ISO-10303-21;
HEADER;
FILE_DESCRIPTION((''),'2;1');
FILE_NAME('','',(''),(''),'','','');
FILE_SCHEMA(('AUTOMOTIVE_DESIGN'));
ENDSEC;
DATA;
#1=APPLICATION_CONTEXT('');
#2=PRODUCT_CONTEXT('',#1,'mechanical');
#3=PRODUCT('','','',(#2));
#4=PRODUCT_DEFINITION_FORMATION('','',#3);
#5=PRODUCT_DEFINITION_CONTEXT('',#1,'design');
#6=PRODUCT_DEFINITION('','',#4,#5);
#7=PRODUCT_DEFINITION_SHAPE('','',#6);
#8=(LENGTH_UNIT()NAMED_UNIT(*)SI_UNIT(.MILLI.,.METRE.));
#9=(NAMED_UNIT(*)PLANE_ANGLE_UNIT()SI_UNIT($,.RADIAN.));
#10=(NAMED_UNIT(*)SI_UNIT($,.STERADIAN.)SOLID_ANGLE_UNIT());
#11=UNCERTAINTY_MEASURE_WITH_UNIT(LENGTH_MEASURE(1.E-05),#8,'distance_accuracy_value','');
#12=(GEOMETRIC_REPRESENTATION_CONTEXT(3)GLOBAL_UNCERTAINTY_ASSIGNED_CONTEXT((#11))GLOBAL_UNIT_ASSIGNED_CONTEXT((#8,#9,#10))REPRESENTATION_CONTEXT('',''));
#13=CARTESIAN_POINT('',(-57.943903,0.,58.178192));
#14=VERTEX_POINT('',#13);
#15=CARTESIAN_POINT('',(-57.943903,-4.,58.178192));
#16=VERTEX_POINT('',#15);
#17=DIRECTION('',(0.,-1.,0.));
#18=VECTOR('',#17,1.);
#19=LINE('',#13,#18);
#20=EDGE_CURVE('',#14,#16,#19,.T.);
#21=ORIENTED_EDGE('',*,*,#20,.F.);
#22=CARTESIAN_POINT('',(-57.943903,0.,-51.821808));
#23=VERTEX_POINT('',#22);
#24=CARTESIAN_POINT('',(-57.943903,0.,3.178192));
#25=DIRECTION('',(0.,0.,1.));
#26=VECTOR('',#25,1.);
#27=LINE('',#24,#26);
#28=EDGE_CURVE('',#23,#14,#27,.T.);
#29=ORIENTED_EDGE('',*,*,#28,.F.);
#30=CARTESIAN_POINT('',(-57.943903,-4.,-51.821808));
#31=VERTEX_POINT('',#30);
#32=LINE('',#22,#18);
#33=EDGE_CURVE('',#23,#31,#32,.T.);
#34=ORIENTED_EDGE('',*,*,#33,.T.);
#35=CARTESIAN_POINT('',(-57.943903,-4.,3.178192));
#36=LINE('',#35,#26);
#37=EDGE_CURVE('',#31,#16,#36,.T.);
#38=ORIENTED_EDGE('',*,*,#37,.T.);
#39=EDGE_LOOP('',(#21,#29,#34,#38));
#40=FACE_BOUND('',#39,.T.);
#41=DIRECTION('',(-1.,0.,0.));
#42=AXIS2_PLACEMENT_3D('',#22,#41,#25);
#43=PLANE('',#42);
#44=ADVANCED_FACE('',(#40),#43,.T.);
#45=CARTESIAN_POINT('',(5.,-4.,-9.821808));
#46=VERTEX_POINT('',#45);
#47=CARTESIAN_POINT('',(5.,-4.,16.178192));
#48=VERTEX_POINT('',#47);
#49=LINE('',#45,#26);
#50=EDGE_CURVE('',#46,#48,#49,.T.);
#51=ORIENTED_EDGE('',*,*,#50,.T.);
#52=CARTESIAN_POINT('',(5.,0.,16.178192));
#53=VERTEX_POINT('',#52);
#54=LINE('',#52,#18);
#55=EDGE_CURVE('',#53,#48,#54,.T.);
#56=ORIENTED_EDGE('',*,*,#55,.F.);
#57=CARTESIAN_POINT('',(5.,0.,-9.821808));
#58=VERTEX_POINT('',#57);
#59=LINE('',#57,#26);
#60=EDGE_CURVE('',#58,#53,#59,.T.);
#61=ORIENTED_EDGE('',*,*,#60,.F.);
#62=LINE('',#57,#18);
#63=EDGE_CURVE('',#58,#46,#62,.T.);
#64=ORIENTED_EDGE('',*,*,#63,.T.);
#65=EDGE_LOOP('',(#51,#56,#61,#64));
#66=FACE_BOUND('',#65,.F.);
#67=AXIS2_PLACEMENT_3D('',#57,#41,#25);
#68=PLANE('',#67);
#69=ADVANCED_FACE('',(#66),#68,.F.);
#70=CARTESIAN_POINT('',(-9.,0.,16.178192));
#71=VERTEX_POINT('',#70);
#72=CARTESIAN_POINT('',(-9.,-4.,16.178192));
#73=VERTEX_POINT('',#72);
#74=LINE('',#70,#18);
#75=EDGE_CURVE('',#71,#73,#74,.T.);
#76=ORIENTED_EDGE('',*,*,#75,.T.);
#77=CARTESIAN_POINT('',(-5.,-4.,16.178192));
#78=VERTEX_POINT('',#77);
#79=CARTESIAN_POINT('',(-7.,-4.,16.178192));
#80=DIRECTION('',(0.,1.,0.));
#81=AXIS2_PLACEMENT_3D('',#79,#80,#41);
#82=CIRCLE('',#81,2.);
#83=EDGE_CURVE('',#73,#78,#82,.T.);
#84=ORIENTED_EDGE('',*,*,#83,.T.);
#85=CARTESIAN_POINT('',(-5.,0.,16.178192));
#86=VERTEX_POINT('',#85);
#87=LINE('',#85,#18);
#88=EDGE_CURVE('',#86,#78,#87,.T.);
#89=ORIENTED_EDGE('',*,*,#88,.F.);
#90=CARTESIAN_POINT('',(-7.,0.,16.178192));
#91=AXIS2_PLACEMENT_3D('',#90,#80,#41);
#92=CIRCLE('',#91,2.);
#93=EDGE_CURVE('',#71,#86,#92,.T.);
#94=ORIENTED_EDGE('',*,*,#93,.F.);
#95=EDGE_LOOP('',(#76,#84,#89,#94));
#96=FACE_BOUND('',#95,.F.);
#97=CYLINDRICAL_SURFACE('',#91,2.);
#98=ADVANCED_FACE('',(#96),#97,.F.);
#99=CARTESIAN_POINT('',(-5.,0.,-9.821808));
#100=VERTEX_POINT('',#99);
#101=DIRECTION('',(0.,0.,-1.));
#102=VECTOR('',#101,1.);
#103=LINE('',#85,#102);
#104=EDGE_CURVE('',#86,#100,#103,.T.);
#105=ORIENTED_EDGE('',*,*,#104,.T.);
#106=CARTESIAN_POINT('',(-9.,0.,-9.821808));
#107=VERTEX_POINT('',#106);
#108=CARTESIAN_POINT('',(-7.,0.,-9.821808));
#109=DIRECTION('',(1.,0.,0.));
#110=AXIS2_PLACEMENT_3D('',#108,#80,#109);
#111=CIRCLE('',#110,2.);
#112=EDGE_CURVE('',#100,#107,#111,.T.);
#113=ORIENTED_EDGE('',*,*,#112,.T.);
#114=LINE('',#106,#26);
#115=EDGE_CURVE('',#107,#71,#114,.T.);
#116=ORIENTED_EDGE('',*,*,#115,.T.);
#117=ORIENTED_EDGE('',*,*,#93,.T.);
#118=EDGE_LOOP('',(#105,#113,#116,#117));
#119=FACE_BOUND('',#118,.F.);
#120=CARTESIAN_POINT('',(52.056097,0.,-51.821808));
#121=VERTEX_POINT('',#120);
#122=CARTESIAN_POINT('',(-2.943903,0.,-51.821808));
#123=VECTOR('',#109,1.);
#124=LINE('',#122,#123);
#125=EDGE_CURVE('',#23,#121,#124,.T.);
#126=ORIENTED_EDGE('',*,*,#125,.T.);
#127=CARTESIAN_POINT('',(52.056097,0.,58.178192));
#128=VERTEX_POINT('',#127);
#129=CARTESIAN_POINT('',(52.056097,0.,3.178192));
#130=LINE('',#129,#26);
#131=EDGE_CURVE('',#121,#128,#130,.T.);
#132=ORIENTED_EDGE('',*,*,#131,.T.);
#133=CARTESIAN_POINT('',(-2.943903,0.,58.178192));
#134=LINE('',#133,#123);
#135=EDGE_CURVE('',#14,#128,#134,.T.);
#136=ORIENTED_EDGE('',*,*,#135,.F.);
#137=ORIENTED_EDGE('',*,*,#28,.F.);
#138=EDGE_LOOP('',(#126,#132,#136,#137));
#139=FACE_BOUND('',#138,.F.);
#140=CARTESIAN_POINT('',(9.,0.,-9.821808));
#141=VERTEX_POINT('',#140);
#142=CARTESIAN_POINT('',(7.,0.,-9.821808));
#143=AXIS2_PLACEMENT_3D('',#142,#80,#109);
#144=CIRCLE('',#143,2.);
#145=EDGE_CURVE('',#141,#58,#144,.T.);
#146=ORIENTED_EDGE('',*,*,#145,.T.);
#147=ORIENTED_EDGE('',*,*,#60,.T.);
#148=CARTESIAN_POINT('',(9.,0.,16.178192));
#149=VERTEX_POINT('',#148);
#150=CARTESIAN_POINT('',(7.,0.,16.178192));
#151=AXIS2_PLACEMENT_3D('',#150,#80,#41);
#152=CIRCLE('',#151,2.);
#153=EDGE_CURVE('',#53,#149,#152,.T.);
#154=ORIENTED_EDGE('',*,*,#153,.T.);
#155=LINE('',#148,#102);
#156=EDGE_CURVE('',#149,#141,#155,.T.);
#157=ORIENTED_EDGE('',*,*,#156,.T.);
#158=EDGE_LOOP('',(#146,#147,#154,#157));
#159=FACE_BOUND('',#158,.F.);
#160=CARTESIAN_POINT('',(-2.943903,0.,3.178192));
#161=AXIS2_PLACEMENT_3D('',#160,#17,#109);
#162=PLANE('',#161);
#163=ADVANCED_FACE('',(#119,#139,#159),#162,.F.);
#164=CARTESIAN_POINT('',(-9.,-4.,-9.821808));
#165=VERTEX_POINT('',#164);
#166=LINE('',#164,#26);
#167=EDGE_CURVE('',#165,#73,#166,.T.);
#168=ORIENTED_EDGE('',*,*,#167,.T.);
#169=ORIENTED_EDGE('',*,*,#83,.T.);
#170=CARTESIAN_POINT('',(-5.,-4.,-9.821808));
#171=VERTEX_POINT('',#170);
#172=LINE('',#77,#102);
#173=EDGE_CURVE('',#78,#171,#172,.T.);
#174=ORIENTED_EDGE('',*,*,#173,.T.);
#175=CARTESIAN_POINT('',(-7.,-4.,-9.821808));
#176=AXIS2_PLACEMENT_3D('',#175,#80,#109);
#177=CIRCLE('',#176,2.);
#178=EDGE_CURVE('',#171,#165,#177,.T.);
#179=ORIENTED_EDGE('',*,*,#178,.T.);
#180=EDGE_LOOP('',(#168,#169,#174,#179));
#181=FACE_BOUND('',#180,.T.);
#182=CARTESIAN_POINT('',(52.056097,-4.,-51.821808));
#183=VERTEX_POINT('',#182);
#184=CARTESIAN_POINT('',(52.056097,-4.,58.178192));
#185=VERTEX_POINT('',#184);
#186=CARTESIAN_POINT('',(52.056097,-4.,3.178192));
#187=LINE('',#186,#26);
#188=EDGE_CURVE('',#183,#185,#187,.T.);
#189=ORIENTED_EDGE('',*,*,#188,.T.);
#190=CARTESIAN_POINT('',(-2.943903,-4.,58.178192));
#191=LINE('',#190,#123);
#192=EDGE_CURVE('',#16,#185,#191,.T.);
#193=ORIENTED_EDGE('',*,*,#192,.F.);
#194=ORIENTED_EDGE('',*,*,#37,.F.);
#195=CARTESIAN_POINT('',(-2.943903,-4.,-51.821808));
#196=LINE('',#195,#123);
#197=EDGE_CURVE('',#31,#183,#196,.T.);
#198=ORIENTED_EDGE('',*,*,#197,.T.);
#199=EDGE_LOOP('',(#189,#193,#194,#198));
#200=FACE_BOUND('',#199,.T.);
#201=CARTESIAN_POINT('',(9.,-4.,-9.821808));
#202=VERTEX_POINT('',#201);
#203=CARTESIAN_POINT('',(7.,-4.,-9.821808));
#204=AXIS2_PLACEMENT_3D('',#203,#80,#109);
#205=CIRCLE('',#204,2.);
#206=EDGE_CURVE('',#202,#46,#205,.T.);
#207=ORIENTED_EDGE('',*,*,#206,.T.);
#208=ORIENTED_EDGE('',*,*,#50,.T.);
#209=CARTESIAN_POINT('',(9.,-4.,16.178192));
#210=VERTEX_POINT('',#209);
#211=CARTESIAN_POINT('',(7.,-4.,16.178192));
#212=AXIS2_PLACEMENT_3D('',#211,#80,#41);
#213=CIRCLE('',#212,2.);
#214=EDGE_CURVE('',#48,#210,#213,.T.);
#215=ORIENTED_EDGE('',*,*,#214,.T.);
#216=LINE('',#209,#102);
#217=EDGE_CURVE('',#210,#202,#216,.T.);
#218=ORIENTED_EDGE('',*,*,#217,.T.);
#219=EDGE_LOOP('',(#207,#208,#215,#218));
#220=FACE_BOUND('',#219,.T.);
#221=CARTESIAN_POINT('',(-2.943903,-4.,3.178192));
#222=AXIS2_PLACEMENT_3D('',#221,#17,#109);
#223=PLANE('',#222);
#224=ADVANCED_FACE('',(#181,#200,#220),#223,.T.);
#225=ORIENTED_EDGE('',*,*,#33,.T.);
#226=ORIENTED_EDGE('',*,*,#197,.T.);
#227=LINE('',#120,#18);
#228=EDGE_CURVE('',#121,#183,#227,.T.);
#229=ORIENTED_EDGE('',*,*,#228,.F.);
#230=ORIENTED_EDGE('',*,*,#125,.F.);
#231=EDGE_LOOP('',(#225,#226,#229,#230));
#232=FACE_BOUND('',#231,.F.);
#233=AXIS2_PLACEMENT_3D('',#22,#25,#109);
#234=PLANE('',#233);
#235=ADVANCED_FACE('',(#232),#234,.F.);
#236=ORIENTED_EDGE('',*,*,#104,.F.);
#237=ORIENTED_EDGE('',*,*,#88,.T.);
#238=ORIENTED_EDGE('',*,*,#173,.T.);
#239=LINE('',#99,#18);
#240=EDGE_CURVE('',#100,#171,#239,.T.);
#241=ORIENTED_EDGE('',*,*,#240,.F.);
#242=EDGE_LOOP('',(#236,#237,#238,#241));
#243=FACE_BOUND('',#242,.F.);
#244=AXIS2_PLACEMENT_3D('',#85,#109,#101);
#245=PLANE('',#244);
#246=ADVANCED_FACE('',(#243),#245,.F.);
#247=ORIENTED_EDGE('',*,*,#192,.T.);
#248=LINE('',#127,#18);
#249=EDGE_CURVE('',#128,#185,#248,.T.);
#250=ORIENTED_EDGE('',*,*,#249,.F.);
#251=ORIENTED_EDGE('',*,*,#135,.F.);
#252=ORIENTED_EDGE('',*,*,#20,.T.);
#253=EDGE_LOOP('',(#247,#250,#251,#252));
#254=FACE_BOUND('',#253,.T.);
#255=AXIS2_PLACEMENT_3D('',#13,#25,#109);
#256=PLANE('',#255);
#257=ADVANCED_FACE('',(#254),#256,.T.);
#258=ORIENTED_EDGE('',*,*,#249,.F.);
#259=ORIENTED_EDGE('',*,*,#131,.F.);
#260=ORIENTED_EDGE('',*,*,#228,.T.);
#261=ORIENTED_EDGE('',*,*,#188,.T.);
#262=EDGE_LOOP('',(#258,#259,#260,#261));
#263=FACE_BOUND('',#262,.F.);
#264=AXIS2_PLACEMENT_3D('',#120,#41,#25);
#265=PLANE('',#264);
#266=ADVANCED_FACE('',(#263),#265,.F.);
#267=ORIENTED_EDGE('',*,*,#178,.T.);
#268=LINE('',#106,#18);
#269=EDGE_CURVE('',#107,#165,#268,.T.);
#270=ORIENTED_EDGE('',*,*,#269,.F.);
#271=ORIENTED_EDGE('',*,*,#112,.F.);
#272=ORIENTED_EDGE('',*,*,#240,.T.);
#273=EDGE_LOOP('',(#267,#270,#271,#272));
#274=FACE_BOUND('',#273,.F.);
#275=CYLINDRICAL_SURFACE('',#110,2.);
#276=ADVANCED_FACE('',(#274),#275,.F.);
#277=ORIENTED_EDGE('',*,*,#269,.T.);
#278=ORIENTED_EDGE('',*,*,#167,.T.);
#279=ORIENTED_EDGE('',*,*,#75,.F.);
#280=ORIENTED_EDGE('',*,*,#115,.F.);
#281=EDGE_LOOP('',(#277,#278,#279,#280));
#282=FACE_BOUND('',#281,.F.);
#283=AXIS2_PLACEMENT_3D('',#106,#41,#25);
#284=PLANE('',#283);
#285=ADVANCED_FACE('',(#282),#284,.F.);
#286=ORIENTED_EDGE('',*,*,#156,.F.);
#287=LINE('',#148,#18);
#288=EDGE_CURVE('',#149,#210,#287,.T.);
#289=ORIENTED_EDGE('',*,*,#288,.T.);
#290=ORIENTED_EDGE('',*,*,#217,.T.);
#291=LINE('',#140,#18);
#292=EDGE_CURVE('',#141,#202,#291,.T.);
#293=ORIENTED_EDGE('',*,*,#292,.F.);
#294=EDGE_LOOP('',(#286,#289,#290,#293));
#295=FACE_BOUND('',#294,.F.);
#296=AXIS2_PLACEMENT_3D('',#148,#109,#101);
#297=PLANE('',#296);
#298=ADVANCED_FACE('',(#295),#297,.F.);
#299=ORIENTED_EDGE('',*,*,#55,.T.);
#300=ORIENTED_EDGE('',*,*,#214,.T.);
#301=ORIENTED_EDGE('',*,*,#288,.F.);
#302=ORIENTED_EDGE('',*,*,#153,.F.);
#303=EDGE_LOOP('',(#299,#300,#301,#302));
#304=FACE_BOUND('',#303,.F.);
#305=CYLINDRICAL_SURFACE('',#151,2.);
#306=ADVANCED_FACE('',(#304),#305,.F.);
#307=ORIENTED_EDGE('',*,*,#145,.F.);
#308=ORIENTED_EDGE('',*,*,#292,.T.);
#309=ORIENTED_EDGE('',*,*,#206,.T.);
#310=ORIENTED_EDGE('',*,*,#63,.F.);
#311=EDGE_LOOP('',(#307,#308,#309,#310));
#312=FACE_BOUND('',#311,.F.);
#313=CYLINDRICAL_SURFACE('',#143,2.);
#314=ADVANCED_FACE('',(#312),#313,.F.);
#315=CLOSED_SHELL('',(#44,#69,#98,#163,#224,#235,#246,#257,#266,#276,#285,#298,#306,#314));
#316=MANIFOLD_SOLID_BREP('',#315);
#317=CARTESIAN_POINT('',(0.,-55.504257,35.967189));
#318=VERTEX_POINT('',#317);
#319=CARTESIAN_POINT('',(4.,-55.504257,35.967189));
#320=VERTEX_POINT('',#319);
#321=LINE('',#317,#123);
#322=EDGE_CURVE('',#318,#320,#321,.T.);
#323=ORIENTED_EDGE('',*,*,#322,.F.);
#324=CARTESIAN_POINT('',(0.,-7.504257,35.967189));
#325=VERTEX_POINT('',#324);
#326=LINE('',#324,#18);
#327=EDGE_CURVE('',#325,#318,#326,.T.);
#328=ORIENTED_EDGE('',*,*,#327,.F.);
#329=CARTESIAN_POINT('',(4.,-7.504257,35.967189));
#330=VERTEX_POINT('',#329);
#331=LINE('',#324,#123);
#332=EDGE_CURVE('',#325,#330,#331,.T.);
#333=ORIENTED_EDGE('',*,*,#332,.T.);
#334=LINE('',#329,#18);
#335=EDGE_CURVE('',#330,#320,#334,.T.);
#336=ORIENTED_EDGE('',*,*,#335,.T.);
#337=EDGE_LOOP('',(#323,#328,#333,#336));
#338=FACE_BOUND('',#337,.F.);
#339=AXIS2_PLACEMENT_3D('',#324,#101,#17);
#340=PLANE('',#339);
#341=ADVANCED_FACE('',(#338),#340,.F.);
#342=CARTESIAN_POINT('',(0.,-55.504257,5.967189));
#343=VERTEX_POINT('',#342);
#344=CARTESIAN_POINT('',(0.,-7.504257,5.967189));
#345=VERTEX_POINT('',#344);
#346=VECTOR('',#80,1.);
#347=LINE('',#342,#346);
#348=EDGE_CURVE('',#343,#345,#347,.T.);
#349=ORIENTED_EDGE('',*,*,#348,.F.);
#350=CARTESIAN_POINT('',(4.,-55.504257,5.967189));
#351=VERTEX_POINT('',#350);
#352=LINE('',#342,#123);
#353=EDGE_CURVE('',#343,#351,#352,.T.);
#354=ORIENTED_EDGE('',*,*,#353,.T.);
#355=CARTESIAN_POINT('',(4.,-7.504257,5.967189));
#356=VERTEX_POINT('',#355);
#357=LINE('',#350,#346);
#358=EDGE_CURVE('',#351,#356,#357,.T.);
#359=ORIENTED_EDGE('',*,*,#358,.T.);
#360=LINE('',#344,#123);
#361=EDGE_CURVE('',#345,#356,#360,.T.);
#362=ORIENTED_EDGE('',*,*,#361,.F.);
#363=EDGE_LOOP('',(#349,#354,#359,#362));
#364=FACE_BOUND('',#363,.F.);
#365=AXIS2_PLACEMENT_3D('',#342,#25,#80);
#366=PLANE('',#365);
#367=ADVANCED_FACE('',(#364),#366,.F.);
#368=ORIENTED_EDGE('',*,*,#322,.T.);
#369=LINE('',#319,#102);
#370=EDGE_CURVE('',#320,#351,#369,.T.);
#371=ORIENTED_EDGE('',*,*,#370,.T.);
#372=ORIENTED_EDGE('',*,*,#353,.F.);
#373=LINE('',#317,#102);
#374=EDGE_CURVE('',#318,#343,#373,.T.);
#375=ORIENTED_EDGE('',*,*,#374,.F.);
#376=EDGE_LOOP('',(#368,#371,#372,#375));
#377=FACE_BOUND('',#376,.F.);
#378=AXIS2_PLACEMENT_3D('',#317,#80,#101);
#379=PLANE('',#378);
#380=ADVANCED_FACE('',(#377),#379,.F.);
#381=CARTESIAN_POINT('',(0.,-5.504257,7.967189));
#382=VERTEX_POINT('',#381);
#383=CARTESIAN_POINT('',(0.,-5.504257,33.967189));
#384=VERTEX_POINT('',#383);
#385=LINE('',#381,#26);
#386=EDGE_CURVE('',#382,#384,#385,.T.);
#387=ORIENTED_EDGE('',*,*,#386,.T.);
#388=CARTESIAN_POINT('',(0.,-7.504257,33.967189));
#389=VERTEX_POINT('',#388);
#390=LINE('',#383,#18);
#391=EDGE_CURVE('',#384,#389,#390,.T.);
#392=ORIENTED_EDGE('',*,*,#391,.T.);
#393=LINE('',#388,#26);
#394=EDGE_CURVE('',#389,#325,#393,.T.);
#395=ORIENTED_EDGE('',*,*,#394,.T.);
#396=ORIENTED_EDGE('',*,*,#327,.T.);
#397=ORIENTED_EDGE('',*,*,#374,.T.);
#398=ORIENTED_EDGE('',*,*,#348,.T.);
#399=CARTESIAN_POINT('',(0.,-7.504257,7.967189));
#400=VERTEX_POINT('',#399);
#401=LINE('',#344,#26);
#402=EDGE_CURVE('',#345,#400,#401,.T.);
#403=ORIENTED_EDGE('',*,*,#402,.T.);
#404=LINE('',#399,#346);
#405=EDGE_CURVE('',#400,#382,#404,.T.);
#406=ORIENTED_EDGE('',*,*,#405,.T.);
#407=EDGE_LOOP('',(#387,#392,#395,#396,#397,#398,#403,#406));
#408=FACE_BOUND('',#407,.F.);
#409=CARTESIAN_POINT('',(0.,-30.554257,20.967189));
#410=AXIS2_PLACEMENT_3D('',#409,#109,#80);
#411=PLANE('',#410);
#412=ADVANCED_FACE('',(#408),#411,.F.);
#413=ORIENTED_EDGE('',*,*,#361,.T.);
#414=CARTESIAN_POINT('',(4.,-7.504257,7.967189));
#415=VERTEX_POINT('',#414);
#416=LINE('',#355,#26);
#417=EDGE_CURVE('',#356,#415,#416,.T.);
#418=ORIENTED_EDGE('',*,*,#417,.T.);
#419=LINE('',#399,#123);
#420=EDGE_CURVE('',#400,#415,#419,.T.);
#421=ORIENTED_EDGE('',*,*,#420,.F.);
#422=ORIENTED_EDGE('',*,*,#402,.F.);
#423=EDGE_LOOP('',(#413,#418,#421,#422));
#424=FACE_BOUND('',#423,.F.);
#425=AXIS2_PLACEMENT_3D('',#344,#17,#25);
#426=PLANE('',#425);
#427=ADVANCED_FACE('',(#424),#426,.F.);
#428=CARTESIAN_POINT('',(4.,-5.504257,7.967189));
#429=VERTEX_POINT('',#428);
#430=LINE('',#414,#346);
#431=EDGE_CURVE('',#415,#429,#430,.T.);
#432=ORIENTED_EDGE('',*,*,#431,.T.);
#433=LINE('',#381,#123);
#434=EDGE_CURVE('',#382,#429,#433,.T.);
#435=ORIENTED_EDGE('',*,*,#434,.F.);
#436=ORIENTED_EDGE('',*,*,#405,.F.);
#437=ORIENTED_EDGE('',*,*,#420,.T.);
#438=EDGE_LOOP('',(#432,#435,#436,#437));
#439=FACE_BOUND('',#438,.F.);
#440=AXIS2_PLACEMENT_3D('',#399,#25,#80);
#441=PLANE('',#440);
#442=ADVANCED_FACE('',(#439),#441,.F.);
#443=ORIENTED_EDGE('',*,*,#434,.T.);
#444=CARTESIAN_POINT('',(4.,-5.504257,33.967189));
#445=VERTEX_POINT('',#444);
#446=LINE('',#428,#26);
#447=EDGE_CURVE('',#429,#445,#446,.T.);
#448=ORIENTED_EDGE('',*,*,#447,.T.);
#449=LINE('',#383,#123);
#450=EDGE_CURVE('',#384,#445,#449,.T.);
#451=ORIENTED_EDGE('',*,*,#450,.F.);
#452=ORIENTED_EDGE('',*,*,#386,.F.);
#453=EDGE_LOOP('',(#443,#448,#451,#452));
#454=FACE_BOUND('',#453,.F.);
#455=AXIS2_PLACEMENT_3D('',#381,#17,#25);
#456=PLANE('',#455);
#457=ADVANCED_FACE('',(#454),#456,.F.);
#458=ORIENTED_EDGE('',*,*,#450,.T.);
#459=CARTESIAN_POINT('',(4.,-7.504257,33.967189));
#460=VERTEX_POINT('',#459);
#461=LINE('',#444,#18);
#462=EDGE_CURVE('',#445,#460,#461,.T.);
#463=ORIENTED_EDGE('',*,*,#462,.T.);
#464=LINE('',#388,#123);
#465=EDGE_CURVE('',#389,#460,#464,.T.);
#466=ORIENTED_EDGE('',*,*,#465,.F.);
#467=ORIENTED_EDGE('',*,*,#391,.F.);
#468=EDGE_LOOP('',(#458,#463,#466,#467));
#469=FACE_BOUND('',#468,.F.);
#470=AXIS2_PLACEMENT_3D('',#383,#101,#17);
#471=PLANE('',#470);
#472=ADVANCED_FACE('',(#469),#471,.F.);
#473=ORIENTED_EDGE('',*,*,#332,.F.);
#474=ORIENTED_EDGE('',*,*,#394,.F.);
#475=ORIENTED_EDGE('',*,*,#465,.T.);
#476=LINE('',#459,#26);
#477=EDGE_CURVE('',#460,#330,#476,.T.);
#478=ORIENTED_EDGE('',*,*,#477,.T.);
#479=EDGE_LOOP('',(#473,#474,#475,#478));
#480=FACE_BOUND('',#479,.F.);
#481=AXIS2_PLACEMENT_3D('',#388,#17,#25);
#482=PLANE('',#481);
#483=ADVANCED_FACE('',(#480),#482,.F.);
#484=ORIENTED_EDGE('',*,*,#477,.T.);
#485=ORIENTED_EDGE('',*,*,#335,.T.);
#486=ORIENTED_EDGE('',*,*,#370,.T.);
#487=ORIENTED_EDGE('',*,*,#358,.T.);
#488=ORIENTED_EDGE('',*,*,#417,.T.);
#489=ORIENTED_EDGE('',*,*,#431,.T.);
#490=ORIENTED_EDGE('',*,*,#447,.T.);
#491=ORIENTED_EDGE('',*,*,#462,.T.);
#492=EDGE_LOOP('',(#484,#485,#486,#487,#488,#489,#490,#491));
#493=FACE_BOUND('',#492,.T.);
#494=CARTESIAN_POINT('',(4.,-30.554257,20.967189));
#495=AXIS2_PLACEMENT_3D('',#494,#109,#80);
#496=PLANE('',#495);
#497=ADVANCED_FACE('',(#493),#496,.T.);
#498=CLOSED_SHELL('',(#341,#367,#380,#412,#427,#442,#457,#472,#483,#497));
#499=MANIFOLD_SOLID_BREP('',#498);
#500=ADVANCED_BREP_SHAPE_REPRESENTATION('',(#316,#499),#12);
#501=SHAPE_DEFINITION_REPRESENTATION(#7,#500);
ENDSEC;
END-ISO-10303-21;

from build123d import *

# Parameters (mm, degrees)
F0_W     = 110
F0_H     = 110
F1_DEPTH = 4
F3_DEPTH = 4


with BuildPart() as f1:
    # F0 (on Front) → F1 (new body)
    with BuildSketch(Plane.XZ):
        with Locations((-2.943903, 3.178192)):
            Rectangle(F0_W, F0_H)
        with BuildLine():
            ThreePointArc((-9, 16.178192), (-7, 18.178192), (-5, 16.178192))
            Line((-5, 16.178192), (-5, -9.821808))
            ThreePointArc((-5, -9.821808), (-7, -11.821808), (-9, -9.821808))
            Line((-9, -9.821808), (-9, 16.178192))
        make_face(mode=Mode.SUBTRACT)
        with BuildLine():
            Line((5, -9.821808), (5, 16.178192))
            ThreePointArc((5, 16.178192), (7, 18.178192), (9, 16.178192))
            Line((9, 16.178192), (9, -9.821808))
            ThreePointArc((9, -9.821808), (7, -11.821808), (5, -9.821808))
        make_face(mode=Mode.SUBTRACT)
    extrude(amount=F1_DEPTH)


with BuildPart() as f3:
    # F2 (on Right) → F3 (new body)
    with BuildSketch(Plane.YZ):
        Polygon((-7.504257, 35.967189), (-55.504257, 35.967189), (-55.504257, 5.967189), (-7.504257, 5.967189), (-7.504257, 7.967189), (-5.504257, 7.967189), (-5.504257, 33.967189), (-7.504257, 33.967189), align=None)
    extrude(amount=F3_DEPTH)


solid = Compound([f1.part, f3.part])
